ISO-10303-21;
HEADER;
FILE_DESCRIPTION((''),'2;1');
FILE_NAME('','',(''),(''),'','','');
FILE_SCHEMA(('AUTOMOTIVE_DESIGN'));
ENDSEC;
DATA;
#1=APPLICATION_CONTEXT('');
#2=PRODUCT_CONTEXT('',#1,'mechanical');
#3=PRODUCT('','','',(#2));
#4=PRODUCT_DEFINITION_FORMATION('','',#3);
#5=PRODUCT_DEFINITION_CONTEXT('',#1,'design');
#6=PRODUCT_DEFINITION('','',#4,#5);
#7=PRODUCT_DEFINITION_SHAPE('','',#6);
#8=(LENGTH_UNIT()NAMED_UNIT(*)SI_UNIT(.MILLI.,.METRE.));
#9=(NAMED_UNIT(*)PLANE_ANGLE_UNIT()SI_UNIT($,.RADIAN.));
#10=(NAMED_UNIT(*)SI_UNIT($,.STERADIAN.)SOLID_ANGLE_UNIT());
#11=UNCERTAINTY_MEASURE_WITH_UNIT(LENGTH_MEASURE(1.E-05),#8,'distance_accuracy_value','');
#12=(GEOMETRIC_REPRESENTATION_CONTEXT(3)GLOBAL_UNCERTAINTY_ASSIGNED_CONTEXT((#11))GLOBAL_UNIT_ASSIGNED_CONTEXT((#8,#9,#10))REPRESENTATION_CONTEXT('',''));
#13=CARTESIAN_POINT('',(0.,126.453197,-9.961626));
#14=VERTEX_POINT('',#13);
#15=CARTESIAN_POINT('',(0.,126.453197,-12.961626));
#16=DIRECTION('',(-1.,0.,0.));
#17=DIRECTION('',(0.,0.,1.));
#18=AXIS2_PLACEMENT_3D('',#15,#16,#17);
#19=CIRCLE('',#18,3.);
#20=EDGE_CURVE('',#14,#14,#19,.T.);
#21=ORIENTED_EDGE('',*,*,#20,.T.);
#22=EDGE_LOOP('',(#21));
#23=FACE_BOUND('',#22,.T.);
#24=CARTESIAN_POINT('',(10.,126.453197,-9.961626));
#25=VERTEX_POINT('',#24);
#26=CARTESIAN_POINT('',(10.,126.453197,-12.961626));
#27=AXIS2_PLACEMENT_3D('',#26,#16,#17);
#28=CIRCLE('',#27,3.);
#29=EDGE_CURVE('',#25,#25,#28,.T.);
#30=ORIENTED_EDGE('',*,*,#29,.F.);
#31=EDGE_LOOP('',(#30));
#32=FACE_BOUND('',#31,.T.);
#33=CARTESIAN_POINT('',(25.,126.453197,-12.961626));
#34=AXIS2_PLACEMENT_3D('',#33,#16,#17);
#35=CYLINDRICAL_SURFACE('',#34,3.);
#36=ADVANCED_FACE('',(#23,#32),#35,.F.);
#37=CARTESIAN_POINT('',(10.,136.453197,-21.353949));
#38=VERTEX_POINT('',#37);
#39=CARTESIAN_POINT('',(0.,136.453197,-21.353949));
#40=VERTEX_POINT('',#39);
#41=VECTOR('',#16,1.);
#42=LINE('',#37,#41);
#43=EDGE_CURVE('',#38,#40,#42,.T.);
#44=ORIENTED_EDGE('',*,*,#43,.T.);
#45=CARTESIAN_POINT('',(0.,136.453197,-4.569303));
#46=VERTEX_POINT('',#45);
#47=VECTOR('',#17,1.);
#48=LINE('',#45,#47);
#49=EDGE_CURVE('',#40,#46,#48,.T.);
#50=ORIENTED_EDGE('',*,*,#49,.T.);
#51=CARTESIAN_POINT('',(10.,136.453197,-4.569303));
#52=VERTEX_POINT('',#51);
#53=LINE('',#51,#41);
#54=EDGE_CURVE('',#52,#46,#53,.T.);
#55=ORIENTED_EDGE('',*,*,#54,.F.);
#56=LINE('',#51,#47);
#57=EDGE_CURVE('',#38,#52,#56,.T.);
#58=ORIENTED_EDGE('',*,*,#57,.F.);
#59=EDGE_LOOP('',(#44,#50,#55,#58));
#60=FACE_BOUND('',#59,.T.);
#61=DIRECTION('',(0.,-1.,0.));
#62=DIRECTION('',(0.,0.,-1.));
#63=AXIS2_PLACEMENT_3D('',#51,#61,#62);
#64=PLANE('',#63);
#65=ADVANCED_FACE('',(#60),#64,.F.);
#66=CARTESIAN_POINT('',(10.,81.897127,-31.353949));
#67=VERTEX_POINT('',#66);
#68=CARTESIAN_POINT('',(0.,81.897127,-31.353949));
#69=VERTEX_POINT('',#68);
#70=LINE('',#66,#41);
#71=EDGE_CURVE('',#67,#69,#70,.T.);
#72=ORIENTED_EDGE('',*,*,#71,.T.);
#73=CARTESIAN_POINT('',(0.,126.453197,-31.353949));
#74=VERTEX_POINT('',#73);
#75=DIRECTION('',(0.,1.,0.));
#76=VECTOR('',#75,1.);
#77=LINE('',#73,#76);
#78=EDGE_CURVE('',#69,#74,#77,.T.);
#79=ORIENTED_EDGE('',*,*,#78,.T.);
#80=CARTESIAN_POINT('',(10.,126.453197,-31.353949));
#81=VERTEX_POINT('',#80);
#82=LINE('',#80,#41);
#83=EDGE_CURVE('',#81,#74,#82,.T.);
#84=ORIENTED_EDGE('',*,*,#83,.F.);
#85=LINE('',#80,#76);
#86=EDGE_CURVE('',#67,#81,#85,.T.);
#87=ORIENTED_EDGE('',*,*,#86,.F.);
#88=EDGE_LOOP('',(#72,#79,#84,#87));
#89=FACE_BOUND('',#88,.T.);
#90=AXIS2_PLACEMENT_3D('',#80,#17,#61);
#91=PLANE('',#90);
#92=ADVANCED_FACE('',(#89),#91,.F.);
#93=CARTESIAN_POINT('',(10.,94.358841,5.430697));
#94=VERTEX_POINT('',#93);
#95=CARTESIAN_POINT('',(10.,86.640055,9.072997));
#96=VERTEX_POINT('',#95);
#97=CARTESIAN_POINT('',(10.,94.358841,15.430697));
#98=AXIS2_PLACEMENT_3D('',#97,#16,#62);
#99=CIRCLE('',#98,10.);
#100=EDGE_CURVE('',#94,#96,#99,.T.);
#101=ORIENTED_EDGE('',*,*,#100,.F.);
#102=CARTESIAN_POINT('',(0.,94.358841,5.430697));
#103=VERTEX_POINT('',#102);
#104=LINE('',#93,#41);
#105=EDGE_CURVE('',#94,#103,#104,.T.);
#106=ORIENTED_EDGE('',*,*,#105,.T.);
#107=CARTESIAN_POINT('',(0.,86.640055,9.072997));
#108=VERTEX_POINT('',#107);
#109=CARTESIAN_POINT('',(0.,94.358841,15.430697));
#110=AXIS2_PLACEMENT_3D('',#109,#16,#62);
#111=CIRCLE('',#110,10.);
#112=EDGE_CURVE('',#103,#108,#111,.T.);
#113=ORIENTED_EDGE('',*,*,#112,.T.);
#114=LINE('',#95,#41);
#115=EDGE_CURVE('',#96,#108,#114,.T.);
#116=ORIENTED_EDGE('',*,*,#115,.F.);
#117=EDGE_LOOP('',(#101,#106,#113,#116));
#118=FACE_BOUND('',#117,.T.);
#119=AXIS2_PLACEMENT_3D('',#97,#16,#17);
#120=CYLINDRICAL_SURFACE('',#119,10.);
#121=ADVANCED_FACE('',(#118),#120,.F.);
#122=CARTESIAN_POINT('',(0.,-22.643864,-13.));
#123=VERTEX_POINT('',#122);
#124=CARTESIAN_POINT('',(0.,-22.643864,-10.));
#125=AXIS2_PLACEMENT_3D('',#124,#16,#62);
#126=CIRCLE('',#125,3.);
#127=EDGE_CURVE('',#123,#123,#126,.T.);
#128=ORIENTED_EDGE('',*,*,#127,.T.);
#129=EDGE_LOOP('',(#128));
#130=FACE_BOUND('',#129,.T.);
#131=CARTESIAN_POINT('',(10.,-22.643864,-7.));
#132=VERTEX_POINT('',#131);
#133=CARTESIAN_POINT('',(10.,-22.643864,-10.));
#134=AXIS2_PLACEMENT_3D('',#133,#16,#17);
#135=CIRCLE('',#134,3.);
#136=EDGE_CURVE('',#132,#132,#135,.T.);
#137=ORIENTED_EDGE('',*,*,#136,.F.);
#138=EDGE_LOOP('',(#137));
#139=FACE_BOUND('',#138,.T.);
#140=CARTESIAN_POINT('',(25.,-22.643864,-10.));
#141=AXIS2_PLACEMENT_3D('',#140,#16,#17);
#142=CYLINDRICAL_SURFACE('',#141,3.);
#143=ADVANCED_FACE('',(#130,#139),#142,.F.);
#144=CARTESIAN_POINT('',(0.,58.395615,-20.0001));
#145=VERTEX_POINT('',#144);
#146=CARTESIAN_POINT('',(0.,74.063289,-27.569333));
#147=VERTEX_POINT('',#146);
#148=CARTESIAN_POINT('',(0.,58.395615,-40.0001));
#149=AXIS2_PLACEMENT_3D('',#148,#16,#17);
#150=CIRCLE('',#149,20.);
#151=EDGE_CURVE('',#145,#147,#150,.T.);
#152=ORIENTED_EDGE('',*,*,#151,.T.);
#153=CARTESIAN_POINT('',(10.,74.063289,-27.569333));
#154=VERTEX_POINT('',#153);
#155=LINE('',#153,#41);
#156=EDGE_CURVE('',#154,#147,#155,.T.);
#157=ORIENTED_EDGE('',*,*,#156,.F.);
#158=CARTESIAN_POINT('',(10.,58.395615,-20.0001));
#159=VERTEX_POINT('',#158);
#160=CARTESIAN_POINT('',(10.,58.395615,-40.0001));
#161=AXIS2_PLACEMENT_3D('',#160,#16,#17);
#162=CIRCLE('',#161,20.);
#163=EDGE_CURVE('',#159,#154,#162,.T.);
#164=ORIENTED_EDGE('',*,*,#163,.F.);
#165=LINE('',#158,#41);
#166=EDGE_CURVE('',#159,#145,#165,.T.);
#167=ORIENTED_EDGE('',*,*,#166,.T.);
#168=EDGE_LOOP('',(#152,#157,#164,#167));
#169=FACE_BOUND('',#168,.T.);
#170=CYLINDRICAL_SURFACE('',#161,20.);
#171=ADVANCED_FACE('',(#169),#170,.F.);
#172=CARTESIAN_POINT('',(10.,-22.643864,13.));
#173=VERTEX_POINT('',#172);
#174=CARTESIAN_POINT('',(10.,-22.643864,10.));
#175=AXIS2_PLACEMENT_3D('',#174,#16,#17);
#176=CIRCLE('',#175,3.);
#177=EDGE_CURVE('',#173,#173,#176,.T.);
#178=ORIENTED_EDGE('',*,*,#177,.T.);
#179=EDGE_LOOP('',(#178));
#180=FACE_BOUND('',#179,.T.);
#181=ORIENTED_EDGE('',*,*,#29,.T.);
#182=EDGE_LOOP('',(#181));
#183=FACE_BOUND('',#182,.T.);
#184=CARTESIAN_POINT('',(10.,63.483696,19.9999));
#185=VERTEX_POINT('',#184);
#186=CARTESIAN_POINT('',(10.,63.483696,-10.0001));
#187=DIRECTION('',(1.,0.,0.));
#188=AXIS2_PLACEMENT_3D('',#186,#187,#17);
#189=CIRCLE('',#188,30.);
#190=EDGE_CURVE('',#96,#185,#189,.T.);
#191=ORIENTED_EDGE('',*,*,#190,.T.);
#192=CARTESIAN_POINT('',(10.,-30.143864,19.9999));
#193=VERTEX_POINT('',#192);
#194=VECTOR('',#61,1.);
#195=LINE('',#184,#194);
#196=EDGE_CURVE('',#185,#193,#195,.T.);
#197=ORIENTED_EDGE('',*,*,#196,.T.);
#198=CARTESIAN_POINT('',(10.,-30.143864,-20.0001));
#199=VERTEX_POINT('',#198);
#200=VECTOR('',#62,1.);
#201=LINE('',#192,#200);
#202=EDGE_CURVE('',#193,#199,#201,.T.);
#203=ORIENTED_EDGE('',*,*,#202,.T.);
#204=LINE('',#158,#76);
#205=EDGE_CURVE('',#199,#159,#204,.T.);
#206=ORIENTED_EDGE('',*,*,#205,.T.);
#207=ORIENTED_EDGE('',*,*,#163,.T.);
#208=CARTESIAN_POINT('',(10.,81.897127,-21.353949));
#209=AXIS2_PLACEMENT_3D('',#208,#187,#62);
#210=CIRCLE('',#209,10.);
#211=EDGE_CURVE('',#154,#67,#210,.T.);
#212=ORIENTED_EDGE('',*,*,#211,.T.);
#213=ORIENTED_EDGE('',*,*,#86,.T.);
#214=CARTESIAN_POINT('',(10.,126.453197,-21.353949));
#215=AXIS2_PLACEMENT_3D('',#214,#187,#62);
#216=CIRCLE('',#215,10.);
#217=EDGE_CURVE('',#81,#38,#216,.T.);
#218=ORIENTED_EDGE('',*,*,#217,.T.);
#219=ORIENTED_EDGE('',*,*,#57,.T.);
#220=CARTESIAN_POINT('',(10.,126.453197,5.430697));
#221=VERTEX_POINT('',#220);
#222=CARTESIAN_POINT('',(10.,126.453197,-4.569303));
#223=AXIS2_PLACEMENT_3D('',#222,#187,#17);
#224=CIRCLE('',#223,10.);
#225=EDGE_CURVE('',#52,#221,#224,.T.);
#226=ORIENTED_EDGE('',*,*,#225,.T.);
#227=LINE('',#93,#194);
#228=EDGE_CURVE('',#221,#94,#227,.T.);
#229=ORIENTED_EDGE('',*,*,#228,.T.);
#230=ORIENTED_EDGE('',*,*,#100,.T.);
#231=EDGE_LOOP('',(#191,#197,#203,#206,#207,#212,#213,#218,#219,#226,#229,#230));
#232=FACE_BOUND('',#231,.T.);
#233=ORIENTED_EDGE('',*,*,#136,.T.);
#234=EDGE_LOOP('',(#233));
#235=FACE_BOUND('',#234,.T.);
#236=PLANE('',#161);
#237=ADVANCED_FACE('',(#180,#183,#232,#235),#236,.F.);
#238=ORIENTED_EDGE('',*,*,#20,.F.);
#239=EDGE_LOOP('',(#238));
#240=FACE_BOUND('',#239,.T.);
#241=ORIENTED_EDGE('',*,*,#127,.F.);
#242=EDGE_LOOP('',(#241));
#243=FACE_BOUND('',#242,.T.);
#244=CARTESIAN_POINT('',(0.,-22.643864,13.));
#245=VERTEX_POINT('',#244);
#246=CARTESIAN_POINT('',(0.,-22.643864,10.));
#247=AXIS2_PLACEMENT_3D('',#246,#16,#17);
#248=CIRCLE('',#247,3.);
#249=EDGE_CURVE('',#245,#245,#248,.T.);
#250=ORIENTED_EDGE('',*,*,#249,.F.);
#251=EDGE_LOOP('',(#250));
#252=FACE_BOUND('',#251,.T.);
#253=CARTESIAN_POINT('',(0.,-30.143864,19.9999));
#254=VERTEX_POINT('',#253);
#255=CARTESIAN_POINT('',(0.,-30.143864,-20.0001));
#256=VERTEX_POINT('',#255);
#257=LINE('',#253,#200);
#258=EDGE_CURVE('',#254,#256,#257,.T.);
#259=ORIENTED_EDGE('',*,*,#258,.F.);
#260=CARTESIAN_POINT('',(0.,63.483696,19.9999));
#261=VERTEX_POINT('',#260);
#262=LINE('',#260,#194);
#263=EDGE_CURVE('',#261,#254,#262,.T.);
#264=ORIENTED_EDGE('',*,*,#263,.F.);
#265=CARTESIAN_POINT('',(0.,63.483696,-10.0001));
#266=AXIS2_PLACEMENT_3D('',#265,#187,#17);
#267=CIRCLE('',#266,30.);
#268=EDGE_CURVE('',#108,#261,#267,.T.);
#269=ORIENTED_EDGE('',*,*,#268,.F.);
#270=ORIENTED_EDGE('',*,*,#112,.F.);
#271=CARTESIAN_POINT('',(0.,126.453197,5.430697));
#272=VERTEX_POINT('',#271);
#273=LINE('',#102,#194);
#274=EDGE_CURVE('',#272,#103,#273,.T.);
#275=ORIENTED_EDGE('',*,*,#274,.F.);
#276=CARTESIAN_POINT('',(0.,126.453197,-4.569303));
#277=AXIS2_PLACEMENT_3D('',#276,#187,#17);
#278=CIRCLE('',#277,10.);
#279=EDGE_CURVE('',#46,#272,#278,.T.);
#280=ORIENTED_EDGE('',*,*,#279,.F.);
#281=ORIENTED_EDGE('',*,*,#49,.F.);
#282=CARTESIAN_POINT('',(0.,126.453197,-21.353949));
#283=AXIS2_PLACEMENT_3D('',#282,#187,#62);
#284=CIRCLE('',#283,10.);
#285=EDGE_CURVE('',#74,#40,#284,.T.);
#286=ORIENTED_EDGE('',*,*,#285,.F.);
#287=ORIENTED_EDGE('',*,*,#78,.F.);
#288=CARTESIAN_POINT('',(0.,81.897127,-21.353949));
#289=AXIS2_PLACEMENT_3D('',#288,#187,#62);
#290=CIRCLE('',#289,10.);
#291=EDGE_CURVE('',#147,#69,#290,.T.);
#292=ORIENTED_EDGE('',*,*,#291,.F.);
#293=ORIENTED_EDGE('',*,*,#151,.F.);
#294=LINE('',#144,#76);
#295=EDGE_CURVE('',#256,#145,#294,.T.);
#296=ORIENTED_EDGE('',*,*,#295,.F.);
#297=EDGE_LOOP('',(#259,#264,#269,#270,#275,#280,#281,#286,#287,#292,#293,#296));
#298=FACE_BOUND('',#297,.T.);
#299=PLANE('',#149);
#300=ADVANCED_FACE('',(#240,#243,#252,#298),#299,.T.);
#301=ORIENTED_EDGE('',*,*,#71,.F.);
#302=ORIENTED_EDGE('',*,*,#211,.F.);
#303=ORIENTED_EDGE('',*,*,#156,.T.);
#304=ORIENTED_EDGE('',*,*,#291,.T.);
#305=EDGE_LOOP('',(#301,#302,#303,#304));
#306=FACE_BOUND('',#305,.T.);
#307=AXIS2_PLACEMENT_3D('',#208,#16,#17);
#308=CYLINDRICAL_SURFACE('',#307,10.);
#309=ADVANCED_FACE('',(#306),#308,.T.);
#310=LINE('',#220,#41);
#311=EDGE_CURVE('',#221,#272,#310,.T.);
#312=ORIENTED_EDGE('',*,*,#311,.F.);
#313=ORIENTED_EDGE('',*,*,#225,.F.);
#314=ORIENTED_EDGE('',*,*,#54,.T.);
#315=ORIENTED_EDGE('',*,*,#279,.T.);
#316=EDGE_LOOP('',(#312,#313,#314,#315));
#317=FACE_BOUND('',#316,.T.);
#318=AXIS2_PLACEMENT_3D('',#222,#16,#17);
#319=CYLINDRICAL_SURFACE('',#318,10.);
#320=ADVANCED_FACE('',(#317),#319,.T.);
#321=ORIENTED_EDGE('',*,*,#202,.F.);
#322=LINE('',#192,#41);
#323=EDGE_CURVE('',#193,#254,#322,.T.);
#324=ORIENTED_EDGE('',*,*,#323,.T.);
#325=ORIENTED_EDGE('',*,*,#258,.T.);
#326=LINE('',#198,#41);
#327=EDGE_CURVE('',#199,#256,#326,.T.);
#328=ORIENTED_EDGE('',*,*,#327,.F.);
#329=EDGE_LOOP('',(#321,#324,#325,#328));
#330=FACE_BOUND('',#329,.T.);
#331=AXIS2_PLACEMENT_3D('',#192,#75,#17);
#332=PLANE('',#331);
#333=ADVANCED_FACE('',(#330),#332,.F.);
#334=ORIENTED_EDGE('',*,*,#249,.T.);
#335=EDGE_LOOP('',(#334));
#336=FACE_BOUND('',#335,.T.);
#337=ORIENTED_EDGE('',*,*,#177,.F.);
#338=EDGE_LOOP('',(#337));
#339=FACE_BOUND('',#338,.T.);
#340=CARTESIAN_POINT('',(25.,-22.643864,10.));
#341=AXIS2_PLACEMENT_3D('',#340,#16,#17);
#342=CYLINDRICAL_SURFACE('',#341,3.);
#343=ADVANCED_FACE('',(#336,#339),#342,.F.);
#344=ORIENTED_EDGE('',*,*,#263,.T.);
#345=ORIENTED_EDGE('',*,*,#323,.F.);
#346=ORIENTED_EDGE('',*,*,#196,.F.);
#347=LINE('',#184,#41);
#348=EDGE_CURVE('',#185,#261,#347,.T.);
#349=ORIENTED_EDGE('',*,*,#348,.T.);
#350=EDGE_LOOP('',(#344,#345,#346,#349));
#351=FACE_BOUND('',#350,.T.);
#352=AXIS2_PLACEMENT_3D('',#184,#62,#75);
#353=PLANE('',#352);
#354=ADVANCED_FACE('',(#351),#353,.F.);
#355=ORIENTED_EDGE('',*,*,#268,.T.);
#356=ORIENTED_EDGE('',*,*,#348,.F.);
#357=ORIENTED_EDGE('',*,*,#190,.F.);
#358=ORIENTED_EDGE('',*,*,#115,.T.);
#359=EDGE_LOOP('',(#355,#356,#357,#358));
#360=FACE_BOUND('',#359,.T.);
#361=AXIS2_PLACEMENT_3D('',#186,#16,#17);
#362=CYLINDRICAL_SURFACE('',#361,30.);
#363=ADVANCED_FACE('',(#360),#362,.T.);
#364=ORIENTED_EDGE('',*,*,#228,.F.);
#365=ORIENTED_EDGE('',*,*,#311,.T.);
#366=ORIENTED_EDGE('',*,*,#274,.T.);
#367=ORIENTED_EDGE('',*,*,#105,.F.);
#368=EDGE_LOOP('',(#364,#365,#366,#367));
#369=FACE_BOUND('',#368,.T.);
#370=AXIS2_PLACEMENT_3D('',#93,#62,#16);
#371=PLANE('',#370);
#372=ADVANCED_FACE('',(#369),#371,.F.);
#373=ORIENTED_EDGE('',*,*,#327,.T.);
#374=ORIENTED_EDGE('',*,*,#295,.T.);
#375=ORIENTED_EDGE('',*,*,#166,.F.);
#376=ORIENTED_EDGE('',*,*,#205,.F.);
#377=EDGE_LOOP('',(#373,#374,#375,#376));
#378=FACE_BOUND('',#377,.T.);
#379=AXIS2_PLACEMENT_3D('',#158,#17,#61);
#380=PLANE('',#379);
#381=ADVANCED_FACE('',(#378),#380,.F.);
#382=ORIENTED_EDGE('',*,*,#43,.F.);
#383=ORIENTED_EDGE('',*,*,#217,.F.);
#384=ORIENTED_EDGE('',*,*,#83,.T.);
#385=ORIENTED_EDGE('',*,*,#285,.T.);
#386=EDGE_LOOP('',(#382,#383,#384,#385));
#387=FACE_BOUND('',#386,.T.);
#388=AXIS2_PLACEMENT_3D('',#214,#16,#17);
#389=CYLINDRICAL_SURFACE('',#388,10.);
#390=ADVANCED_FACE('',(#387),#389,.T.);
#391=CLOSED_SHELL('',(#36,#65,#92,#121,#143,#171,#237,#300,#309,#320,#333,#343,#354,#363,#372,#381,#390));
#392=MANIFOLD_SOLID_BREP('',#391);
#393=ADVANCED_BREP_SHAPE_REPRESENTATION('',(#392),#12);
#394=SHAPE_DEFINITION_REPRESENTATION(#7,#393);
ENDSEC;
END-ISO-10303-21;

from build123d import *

# Parameters (mm, degrees)
EXTRUDE_1_DEPTH     = 10
SKETCH_2_R          = 3
CUT_EXTRUDE_1_DEPTH = 25


with BuildPart() as part:
    # Эскиз1 → Вытянуть1 (new body)
    with BuildSketch(Plane(origin=(0, 0, 0), x_dir=(0, 0, -1), z_dir=(1, 0, 0))):
        with BuildLine():
            Line((-19.99990009, 63.483695787), (-19.99990009, -30.143863535))
            Line((-19.99990009, -30.143863535), (20.00009991, -30.143863535))
            Line((20.00009991, -30.143863535), (20.00009991, 58.395614664))
            ThreePointArc((20.00009991, 58.395614664), (21.991555525, 67.095748523), (27.569332826, 74.063289338))
            ThreePointArc((27.569332826, 74.063289338), (30.358221476, 77.547059746), (31.353949284, 81.897126676))
            Line((31.353949284, 81.897126676), (31.353949284, 126.453197444))
            ThreePointArc((31.353949284, 126.453197444), (28.425017096, 133.524265256), (21.353949284, 136.453197444))
            Line((21.353949284, 136.453197444), (4.569303476, 136.453197444))
            ThreePointArc((4.569303476, 136.453197444), (-2.501764335, 133.524265256), (-5.430696524, 126.453197444))
            Line((-5.430696524, 126.453197444), (-5.430696524, 94.358841013))
            ThreePointArc((-5.430696524, 94.358841013), (-6.386997306, 90.091347082), (-9.072997415, 86.640054707))
            ThreePointArc((-9.072997415, 86.640054707), (-17.130997744, 76.286177582), (-19.99990009, 63.483695787))
        make_face()
    extrude(amount=EXTRUDE_1_DEPTH)

    # Эскиз2 → Вырез-Вытянуть1 (cut)
    with BuildSketch(Plane.ZY):
        with Locations((10, -22.643863535)):
            Circle(SKETCH_2_R)
        with Locations((-10, -22.643863535)):
            Circle(SKETCH_2_R)
        with Locations((-12.96162638, 126.453197444)):
            Circle(SKETCH_2_R)
    extrude(amount=-CUT_EXTRUDE_1_DEPTH, mode=Mode.SUBTRACT)


solid = part.part
